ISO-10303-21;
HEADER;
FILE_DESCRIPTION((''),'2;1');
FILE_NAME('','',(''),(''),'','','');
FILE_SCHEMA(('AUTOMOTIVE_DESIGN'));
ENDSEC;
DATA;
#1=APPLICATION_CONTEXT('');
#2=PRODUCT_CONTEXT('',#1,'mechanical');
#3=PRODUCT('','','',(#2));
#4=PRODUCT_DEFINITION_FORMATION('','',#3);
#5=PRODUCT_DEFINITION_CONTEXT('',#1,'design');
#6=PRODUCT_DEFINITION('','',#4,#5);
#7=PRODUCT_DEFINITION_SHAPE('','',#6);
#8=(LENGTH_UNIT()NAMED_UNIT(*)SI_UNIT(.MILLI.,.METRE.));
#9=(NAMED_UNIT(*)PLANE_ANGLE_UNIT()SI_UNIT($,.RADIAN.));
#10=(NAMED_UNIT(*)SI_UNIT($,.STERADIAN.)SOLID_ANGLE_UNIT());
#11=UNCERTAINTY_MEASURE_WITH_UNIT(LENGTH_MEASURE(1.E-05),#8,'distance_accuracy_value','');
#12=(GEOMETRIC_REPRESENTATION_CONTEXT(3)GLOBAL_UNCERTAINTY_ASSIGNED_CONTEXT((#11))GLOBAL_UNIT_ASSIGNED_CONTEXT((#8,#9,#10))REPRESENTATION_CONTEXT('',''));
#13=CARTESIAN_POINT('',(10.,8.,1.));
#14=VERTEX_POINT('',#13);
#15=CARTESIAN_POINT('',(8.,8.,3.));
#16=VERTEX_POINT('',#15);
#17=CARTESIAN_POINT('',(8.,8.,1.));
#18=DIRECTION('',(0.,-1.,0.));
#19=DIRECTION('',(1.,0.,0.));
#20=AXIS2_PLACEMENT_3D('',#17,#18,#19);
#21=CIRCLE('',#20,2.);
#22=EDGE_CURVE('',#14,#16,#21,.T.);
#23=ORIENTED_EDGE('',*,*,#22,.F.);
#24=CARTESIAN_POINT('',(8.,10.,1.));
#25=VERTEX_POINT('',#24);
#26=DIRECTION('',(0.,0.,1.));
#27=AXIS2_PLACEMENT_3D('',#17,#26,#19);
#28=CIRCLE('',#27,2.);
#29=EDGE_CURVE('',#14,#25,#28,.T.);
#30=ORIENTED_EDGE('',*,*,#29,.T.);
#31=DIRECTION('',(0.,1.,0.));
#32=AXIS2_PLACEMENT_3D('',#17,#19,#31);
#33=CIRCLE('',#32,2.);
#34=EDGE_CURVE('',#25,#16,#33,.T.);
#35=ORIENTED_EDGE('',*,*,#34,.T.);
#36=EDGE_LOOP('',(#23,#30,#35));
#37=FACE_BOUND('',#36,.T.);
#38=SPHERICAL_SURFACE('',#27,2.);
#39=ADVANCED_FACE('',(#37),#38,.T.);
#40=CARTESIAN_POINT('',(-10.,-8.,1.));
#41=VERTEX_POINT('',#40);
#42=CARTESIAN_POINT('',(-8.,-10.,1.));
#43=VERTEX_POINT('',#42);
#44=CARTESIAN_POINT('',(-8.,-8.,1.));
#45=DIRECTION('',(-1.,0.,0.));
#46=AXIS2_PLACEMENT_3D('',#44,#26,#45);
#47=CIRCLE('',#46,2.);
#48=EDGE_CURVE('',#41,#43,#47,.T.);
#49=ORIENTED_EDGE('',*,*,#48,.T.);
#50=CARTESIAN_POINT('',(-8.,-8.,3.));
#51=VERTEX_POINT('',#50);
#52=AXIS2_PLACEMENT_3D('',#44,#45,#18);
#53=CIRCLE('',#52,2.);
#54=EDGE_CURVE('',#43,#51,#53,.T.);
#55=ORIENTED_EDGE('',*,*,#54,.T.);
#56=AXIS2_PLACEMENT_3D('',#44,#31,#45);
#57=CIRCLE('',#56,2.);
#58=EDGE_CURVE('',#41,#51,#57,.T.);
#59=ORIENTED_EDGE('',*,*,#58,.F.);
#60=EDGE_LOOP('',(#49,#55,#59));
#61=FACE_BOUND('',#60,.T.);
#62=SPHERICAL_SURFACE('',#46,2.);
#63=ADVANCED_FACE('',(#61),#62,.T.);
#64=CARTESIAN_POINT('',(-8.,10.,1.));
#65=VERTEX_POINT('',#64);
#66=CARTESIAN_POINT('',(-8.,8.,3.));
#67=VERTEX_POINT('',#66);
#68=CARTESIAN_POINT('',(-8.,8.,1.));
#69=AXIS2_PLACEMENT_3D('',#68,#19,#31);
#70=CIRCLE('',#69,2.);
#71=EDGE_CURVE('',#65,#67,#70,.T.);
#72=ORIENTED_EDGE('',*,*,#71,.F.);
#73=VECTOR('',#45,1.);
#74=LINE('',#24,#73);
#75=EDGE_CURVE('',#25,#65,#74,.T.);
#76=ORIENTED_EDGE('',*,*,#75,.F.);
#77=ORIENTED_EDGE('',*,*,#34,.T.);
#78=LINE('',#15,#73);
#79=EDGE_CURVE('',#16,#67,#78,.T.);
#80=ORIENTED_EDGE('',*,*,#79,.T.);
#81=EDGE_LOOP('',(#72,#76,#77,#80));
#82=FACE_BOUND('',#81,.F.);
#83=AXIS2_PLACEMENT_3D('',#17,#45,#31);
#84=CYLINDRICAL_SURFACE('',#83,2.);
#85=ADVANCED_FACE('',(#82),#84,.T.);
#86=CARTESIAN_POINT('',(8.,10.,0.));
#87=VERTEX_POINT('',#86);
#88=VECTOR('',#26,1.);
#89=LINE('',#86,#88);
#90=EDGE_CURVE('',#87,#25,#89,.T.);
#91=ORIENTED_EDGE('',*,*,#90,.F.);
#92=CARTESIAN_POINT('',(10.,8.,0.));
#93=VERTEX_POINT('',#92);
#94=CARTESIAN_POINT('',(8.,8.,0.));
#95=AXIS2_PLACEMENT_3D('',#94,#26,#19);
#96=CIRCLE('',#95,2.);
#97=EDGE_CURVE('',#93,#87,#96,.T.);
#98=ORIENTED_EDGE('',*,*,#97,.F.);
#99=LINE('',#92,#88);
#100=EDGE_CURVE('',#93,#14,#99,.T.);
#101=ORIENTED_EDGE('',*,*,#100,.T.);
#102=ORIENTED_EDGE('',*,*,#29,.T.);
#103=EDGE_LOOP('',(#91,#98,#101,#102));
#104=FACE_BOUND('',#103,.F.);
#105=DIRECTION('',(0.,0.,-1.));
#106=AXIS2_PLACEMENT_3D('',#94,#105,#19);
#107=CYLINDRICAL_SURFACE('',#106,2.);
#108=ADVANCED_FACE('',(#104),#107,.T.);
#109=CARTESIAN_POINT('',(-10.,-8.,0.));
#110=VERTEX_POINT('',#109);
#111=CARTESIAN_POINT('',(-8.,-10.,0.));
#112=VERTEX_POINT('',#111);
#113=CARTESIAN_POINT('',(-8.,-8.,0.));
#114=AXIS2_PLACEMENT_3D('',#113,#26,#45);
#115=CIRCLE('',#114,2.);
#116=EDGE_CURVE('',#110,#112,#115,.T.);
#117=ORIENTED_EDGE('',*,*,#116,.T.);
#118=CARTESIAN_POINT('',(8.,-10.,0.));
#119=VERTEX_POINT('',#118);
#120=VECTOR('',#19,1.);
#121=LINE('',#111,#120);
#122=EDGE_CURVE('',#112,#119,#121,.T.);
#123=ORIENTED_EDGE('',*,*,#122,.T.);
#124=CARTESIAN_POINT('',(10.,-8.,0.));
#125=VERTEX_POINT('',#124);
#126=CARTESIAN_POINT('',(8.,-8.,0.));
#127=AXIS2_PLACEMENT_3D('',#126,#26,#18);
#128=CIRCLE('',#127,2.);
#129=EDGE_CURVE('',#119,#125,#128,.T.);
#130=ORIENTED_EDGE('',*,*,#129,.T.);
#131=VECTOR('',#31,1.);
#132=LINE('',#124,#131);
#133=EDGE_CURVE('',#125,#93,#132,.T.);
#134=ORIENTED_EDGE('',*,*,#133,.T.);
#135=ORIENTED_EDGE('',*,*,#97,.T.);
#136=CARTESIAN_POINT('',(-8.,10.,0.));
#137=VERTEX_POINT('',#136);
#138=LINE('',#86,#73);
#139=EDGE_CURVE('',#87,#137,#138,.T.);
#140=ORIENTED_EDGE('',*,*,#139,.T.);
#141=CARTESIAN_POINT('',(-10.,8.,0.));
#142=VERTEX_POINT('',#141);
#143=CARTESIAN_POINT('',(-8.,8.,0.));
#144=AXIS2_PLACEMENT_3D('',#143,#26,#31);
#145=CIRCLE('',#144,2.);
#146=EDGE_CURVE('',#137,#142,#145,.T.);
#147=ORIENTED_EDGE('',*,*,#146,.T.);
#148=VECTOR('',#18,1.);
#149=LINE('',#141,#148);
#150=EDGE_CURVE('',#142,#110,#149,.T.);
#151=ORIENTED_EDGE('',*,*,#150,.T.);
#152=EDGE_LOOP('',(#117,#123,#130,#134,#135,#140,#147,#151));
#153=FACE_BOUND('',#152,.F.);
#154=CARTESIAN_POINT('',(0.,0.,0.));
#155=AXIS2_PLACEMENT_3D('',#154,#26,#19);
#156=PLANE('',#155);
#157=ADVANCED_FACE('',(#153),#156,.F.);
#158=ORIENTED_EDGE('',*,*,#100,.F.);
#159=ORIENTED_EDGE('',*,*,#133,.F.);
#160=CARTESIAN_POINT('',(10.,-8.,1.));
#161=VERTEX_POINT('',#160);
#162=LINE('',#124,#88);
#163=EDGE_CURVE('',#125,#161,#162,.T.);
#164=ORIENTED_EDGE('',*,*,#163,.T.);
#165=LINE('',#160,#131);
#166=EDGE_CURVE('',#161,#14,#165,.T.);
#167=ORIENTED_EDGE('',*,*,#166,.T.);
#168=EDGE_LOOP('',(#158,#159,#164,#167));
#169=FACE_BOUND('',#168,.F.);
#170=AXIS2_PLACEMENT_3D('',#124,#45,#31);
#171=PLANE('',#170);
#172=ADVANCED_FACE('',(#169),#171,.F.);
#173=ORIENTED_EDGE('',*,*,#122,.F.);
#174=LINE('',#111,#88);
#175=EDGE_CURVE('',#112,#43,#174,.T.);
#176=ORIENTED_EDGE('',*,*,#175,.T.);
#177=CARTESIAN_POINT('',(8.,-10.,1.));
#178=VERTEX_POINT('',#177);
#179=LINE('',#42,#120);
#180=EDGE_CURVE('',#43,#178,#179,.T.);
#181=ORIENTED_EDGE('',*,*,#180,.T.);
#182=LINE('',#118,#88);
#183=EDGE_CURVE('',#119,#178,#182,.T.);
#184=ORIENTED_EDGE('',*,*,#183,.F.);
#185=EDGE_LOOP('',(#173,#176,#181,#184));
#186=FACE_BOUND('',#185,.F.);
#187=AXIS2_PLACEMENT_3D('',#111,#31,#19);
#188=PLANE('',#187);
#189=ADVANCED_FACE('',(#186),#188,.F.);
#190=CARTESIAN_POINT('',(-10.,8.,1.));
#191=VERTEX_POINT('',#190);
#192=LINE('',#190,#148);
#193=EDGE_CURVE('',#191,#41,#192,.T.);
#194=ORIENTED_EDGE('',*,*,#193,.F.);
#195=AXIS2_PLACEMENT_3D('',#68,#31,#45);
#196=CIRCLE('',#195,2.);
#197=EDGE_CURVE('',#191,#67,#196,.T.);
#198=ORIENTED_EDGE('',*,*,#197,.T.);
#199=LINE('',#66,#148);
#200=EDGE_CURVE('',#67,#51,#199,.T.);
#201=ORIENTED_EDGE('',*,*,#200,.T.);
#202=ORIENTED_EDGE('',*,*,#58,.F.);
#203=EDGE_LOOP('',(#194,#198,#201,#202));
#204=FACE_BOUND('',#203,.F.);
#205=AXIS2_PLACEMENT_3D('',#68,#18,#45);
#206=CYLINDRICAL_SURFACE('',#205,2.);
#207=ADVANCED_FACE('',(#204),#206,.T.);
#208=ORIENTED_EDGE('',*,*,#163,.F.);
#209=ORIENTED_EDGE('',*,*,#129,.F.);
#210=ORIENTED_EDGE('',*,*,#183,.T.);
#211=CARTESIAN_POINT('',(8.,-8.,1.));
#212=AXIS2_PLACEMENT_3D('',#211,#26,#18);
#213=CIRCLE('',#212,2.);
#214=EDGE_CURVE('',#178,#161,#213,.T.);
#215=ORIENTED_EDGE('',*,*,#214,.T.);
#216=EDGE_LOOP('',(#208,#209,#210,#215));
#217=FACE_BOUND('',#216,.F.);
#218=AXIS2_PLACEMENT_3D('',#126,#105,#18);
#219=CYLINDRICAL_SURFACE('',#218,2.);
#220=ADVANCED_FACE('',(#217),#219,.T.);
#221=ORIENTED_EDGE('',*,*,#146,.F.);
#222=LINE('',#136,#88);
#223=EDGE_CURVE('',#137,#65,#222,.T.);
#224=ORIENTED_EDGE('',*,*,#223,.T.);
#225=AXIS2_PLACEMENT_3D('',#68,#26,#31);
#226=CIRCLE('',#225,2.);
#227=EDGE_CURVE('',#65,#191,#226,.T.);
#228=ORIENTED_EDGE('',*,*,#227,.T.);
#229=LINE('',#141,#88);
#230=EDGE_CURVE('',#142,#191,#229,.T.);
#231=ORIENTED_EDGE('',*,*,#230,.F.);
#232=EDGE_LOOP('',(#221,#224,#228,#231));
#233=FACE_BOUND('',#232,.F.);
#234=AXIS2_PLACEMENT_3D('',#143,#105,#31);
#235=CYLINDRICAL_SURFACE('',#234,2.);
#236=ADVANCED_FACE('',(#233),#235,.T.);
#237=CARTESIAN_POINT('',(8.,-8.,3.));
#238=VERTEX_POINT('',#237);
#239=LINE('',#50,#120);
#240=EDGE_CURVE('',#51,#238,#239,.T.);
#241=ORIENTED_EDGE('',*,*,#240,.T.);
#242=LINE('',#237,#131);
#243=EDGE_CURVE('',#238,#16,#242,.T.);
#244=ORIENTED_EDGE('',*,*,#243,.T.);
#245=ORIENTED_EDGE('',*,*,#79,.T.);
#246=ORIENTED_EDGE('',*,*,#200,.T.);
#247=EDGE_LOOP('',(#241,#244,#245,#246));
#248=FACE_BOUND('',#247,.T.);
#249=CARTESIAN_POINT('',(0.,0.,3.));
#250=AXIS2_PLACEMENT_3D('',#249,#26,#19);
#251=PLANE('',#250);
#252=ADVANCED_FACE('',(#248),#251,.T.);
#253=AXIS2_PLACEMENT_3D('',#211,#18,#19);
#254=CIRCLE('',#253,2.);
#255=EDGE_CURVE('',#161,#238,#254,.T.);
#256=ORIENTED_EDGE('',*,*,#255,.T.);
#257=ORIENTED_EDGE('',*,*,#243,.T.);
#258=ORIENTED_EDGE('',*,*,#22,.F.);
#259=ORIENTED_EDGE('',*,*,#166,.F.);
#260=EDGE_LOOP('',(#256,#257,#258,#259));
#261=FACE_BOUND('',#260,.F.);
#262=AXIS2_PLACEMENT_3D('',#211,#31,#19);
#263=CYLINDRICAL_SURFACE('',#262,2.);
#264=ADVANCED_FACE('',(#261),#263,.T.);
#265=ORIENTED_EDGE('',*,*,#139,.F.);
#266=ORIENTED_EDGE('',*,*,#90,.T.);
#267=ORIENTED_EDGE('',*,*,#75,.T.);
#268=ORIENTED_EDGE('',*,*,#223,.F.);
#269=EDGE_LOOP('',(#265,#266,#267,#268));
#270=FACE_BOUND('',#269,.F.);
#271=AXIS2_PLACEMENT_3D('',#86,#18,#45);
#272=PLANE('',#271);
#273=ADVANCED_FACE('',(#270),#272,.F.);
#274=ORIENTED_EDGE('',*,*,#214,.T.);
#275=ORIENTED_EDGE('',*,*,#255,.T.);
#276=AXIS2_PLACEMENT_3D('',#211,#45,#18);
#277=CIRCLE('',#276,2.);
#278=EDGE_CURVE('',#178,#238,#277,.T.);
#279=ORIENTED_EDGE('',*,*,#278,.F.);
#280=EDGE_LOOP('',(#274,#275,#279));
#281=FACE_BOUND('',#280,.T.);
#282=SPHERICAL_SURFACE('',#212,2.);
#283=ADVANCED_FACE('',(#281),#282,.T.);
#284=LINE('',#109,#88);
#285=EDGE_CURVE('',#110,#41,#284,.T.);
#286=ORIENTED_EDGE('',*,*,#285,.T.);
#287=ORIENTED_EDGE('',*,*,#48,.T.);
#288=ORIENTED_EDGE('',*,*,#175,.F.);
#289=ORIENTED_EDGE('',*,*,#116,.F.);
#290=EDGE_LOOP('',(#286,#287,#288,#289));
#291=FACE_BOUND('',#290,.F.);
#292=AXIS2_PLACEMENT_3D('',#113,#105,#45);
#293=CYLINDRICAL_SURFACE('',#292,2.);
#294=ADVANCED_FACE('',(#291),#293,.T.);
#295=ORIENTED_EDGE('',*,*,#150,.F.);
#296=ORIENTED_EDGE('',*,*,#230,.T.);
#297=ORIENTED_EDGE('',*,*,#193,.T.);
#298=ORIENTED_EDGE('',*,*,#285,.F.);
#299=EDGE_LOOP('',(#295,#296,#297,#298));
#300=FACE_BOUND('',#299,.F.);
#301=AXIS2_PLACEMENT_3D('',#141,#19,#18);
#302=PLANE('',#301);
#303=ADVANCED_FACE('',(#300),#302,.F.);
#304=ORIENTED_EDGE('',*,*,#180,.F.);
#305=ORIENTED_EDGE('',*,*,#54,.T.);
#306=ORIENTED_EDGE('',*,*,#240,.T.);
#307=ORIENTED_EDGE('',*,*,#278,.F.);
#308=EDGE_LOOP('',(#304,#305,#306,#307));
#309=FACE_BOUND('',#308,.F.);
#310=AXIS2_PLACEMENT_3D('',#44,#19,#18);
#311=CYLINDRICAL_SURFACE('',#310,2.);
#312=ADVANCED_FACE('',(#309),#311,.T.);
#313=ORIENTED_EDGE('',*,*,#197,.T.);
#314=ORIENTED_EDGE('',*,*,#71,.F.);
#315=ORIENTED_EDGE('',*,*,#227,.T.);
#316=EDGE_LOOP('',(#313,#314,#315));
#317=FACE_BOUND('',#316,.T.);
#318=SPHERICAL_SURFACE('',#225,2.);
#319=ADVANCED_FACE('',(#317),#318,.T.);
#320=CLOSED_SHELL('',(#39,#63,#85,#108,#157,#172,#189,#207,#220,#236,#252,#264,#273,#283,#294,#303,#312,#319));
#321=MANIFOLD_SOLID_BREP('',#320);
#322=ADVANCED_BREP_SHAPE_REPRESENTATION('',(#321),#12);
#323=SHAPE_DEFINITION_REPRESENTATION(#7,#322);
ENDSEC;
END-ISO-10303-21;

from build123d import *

# Parameters (mm, degrees)
F1_DEPTH = 3
F2_R     = 2


with BuildPart() as f1:
    # F0 (on Top) → F1 (new body)
    with BuildSketch(Plane.XY):
        with BuildLine():
            ThreePointArc((10, 8), (9.4142135624, 9.4142135624), (8, 10))
            Line((8, 10), (-8, 10))
            ThreePointArc((-8, 10), (-9.4142135624, 9.4142135624), (-10, 8))
            Line((-10, 8), (-10, -8))
            ThreePointArc((-10, -8), (-9.4142135624, -9.4142135624), (-8, -10))
            Line((-8, -10), (8, -10))
            ThreePointArc((8, -10), (9.4142135624, -9.4142135624), (10, -8))
            Line((10, -8), (10, 8))
        make_face()
    extrude(amount=F1_DEPTH)

    # F2
    f2_edges = [f1.edges().sort_by_distance(p)[0] for p in [
        (-9.414214, 9.414214, 3),
    ]]
    fillet(f2_edges, radius=F2_R)


solid = f1.part
